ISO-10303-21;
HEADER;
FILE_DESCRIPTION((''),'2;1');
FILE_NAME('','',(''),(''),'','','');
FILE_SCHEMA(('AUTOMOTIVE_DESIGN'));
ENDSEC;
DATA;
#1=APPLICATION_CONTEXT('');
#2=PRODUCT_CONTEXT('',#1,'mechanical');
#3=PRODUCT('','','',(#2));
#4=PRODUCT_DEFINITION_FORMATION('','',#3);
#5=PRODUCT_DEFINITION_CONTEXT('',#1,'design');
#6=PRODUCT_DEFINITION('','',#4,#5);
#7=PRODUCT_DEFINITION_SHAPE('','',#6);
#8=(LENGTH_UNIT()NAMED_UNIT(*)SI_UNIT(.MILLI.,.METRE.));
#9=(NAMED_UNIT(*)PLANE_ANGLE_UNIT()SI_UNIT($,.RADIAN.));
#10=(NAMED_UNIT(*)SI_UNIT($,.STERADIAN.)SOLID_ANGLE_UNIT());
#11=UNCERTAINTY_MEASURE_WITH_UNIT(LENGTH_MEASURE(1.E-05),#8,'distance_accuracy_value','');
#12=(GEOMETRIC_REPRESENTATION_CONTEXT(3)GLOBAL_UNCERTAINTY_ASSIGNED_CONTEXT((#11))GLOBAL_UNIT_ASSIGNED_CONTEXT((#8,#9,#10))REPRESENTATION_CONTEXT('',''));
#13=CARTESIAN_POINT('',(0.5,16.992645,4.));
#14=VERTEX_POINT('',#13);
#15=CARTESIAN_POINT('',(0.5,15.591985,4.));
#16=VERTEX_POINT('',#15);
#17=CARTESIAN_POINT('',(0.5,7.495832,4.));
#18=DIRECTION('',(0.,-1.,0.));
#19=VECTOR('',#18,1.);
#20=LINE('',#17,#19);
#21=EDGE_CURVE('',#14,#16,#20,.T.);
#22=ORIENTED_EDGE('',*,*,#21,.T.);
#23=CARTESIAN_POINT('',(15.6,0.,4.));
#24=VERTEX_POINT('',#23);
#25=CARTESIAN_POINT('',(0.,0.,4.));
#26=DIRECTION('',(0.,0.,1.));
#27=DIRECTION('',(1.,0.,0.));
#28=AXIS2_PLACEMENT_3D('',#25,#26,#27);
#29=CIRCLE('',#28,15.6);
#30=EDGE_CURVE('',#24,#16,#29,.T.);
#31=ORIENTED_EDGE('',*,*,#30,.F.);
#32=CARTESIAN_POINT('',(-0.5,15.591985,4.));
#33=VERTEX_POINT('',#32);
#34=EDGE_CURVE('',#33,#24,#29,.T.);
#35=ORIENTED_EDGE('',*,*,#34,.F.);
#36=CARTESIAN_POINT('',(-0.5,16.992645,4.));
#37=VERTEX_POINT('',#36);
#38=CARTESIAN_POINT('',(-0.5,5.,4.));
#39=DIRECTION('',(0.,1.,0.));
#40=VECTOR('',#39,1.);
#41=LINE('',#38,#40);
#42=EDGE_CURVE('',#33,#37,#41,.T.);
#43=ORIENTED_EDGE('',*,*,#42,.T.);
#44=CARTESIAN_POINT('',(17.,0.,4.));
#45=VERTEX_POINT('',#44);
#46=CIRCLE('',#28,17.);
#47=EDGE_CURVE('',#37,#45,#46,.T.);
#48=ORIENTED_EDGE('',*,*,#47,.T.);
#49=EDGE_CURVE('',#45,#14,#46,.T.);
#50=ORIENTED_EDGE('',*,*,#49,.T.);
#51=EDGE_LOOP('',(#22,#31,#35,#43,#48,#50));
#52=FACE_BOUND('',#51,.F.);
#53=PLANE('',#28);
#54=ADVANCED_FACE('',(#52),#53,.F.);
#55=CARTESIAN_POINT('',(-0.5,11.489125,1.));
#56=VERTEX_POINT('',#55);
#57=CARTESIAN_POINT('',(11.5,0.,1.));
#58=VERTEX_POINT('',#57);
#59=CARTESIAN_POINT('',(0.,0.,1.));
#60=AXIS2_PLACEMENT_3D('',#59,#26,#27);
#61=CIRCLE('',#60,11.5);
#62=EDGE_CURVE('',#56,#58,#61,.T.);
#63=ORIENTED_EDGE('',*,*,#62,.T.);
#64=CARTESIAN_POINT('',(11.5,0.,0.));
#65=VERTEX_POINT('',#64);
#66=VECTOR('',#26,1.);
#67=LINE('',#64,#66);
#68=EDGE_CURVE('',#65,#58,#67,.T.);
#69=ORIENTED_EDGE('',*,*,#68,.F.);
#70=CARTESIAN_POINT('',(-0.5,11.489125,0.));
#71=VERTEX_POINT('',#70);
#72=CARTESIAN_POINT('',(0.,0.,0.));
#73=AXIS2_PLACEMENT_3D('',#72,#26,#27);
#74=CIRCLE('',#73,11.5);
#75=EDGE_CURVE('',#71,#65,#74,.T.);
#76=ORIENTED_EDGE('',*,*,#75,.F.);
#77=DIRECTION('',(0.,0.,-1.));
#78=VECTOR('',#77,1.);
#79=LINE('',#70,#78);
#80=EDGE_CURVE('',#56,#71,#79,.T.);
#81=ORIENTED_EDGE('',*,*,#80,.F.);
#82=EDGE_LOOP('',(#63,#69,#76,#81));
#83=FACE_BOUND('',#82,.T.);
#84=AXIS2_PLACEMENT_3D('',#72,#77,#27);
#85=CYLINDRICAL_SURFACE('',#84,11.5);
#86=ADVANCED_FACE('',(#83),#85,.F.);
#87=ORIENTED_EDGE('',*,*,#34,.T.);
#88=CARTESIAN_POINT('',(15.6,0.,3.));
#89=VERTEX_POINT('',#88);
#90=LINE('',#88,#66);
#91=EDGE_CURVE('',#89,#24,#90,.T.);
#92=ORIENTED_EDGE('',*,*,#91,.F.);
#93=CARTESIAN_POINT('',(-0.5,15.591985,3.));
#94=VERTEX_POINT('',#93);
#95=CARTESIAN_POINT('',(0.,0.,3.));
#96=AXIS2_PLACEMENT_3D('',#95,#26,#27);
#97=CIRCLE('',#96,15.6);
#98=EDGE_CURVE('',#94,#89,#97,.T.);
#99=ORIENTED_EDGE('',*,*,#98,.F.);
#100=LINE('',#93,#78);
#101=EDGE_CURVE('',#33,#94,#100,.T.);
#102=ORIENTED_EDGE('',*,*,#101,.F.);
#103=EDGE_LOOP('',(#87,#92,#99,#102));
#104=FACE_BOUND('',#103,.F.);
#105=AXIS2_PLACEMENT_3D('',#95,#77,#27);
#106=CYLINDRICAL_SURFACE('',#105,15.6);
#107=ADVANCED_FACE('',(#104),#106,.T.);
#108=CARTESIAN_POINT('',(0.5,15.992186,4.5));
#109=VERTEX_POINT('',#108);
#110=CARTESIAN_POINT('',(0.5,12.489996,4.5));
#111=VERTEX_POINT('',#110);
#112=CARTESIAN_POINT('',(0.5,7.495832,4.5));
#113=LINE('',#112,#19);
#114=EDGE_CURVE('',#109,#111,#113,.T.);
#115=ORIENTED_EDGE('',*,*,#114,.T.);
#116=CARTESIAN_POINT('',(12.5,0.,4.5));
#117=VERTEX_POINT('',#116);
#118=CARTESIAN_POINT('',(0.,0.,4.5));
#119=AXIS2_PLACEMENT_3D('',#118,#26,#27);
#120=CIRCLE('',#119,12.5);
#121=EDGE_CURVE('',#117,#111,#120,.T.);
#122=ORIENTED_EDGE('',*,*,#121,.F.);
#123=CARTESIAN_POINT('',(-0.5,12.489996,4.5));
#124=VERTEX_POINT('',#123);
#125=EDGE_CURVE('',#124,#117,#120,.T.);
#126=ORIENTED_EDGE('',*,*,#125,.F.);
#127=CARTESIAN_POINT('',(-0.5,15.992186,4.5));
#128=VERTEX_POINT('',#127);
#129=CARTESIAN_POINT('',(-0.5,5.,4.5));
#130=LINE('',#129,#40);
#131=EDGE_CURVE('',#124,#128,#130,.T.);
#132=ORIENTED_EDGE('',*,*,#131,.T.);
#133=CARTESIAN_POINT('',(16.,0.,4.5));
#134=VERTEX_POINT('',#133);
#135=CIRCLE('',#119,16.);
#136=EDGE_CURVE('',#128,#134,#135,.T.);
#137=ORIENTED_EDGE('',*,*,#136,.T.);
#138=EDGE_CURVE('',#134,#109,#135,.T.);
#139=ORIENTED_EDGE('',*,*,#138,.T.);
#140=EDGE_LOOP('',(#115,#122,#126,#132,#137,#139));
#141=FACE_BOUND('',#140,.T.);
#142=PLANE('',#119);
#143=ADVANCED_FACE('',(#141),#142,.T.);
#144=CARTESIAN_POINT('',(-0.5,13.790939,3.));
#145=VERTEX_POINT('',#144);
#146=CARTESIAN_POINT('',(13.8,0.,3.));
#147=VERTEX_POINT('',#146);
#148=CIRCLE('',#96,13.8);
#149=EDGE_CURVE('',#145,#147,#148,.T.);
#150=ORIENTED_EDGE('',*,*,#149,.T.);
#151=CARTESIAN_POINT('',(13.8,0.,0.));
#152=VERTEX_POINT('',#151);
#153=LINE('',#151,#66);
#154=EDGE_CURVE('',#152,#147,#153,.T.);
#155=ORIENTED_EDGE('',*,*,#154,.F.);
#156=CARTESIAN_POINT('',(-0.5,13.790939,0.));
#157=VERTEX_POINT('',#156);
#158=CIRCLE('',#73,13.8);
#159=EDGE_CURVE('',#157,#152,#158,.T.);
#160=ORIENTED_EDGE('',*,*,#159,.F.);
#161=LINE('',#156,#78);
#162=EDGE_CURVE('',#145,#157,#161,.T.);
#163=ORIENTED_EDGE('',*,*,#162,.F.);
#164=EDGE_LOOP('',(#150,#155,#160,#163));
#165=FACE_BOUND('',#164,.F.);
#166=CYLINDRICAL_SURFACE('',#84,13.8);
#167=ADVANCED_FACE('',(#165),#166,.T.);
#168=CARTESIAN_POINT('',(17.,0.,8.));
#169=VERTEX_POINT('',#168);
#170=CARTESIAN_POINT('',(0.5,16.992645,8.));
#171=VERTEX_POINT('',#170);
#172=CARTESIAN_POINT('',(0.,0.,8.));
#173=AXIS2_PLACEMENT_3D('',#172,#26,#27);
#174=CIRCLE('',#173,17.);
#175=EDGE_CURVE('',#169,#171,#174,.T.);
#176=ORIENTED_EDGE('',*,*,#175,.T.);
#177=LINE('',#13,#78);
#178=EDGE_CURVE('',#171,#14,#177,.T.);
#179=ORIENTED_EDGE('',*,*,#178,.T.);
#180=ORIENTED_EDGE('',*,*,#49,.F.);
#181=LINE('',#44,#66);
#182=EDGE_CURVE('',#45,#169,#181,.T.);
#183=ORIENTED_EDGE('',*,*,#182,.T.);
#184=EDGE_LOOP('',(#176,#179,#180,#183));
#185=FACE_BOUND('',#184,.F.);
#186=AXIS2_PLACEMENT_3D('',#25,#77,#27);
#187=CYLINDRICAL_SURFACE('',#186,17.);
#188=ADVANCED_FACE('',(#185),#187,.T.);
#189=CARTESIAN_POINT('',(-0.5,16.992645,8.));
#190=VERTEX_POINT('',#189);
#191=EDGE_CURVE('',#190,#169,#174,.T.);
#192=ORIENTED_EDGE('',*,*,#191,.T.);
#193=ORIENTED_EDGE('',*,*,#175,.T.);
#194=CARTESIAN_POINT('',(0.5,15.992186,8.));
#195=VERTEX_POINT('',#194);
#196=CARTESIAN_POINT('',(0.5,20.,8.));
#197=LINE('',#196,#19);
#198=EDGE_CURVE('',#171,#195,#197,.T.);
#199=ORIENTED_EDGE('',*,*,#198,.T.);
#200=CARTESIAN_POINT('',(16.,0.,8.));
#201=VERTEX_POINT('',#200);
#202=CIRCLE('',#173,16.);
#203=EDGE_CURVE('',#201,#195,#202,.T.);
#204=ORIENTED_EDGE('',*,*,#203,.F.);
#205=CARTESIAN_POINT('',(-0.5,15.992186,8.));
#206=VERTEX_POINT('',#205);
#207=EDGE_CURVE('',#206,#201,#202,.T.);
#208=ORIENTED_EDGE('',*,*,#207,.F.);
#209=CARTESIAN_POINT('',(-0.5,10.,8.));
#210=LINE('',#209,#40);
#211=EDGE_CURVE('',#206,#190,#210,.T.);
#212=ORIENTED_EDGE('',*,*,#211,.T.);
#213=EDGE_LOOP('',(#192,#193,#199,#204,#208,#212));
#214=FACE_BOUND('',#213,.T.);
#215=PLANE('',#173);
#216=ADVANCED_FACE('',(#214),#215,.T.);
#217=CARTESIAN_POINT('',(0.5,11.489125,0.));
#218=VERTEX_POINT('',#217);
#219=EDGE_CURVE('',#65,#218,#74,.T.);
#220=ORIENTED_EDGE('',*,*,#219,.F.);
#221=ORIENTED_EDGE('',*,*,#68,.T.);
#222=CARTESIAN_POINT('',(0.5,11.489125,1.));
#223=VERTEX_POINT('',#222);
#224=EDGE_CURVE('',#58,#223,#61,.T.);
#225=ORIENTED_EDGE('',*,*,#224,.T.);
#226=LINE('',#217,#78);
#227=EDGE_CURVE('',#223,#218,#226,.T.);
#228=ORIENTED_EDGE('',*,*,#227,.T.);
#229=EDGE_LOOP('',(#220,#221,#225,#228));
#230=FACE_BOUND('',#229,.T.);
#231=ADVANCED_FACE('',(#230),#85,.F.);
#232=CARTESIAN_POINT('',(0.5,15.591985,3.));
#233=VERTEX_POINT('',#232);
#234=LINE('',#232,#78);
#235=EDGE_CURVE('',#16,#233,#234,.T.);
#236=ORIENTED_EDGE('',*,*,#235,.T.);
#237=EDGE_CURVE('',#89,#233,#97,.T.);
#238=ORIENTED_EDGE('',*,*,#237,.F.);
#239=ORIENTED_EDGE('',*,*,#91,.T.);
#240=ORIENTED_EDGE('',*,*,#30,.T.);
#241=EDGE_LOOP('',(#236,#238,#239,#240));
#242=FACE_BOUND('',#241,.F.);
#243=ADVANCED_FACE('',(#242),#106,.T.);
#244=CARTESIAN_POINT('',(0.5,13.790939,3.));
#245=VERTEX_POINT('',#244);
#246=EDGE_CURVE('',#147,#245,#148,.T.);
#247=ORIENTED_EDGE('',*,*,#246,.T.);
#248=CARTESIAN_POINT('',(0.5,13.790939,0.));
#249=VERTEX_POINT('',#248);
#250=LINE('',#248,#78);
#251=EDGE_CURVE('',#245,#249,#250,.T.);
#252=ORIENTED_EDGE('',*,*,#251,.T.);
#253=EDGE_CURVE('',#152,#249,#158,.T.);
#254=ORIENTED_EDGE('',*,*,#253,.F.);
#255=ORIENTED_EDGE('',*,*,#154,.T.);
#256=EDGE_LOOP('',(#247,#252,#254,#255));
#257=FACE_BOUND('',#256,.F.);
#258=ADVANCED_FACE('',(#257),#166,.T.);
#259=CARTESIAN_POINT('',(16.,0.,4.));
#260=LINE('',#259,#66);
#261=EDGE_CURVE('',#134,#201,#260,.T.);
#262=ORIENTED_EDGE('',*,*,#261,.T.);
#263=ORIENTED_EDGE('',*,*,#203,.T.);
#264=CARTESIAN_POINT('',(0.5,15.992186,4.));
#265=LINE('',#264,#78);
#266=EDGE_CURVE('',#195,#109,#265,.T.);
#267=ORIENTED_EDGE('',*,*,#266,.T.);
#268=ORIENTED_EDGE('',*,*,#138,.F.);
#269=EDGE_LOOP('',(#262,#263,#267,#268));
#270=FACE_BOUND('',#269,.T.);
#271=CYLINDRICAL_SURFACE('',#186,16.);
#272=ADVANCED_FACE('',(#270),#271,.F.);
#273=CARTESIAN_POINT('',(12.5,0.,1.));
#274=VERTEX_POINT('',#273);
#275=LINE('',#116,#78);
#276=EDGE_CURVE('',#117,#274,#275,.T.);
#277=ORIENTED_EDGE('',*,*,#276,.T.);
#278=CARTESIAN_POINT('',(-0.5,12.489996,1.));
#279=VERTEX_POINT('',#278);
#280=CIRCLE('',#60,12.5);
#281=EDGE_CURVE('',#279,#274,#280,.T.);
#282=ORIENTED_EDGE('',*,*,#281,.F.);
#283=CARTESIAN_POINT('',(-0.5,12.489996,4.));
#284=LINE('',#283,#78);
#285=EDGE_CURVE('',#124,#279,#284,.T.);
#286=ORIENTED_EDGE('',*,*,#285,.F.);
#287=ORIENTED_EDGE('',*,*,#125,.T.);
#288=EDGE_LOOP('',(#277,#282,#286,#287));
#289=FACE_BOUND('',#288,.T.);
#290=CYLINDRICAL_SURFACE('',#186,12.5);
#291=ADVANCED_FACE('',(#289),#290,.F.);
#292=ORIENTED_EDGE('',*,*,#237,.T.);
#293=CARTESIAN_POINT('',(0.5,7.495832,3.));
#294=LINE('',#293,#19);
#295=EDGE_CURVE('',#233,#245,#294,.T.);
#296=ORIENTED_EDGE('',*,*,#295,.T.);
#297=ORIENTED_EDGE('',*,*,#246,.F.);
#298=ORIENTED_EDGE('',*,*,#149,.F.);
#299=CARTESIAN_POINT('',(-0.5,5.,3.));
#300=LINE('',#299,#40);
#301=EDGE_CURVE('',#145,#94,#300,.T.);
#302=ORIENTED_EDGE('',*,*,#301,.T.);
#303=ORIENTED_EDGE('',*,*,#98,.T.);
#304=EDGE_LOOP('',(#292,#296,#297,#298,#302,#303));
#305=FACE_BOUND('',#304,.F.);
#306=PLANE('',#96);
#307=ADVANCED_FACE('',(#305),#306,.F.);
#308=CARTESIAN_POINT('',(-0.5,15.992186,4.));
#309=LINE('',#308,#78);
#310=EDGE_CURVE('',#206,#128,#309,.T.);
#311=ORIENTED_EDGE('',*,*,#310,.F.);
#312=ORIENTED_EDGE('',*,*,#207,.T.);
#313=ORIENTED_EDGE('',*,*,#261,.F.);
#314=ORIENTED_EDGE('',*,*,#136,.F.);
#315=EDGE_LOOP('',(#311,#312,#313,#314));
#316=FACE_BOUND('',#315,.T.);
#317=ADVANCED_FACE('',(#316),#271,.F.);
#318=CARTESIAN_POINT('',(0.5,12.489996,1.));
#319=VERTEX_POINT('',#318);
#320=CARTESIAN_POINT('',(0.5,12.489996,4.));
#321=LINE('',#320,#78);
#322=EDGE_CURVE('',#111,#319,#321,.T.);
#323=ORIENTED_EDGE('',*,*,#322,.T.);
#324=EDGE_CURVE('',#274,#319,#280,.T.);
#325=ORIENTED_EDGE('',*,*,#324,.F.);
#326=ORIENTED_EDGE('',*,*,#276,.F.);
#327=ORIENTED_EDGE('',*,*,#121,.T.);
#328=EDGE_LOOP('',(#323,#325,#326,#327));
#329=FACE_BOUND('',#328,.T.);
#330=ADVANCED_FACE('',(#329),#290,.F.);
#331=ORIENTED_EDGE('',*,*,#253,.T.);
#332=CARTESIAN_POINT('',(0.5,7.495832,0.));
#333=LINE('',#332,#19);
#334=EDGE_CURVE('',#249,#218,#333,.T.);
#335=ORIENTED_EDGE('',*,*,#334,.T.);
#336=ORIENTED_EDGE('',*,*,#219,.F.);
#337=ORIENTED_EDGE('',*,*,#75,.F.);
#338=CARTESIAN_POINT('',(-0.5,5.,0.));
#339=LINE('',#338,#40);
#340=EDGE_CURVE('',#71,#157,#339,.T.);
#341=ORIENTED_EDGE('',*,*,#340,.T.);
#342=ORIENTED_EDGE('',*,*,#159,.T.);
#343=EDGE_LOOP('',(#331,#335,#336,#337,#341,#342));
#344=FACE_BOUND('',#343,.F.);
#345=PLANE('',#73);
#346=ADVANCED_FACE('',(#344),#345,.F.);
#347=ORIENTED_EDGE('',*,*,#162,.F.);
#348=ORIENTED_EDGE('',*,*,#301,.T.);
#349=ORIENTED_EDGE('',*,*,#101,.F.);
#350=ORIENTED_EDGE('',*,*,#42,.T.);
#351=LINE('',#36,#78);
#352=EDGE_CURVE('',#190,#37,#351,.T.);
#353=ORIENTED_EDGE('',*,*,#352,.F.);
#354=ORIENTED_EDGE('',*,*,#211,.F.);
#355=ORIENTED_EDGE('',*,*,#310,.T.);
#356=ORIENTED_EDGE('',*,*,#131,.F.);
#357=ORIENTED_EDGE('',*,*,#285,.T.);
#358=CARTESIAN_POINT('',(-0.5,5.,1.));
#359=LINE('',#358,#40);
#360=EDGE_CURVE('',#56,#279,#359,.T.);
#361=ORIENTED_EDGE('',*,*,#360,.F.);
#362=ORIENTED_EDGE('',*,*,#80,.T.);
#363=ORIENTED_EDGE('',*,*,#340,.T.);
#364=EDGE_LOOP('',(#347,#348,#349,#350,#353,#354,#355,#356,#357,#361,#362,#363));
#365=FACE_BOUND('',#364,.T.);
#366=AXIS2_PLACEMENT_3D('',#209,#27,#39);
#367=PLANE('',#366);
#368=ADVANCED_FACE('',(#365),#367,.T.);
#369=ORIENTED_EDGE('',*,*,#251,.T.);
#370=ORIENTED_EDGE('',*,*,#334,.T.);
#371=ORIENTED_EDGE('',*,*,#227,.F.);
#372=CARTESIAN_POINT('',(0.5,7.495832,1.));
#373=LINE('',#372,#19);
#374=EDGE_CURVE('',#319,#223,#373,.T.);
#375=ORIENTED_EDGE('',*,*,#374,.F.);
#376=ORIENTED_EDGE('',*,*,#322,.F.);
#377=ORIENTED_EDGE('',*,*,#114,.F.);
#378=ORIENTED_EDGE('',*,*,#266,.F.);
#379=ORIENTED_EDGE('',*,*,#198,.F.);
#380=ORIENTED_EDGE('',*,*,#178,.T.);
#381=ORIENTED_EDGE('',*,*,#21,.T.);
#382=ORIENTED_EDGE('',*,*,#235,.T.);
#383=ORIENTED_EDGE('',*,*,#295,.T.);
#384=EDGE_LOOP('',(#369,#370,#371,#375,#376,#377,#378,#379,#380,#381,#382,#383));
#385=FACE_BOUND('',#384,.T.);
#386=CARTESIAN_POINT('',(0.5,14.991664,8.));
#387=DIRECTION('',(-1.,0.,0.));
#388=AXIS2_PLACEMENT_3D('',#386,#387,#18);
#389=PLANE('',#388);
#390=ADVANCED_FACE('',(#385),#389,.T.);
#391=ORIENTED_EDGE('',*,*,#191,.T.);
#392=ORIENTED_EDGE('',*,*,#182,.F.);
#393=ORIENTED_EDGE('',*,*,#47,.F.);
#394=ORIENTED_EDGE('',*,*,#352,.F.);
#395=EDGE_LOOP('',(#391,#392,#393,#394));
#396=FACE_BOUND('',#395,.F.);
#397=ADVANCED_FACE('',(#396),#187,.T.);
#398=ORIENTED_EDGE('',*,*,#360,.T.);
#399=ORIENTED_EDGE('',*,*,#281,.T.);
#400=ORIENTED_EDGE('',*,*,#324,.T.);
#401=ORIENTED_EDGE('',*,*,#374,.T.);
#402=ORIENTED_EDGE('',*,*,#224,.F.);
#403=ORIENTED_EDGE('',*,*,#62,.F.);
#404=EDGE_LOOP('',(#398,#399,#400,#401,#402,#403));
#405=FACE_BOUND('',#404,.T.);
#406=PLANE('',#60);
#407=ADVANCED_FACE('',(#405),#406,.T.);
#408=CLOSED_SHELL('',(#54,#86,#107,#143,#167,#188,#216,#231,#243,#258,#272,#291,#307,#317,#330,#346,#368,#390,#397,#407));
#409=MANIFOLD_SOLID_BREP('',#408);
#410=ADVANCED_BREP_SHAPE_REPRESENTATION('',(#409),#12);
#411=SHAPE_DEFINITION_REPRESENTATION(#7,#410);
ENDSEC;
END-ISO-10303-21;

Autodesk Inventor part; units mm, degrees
ref_plane "YZ Plane" through (0, 0, 0) normal (1, 0, 0) x (0, 1, 0)
ref_plane "XZ Plane" through (0, 0, 0) normal (0, 1, 0) x (-1, 0, 0)
ref_plane "XY Plane" through (0, 0, 0) normal (0, 0, 1) x (1, 0, 0)
sketch "Sketch1" plane through (0, 0, 0) normal (0, 0, 1) x (1, 0, 0)
  circle A0 centre (0, 0) radius 13.8
  circle A1 centre (0, 0) radius 11.5
  circle A2 centre (0, 0) radius 15.6
  circle A3 centre (0, 0) radius 12.5
  dimension "d0" = 27.6
  dimension "d1" = 23
  dimension "d2" = 31.2
  dimension "d3" = 25
extrude "Extrusion1" add sketch "Sketch1" along normal blind 1 contours A3
extrude "Extrusion2" add sketch "Sketch1" along normal blind 3 contours A0
sketch "Sketch2" plane through (0, 0, 3) normal (0, 0, 1) x (1, 0, 0)
  circle A0 centre (0, 0) radius 15.6 projected
  circle A1 centre (0, 0) radius 12.5 projected
extrude "Extrusion3" add sketch "Sketch2" along normal blind 1
sketch "Sketch4" plane through (0, 0, 4) normal (0, 0, 1) x (1, 0, 0)
  circle A0 centre (0, 0) radius 16
  circle A1 centre (0, 0) radius 17
  circle A2 centre (0, 0) radius 12.5 projected
  dimension "d14" = 32
  dimension "d15" = 34
extrude "Extrusion5" add sketch "Sketch4" along normal blind 0.5 contours A0
extrude "Extrusion6" add sketch "Sketch4" along normal blind 4 contours A1
sketch "Sketch8" plane through (0, 0, 8) normal (0, 0, 1) x (1, 0, 0)
  line L0 (0.5, 10) -> (-0.5, 10)
  line L1 (-0.5, 10) -> (-0.5, 20)
  line L2 (-0.5, 20) -> (0.5, 20)
  line L3 (0.5, 20) -> (0.5, 10)
  circle A0 centre (0, 0) radius 15 projected
  line L4 (0.5, 10) -> (-0.5, 20) construction
  line L5 (-0.5, 10) -> (0.5, 20) construction
  point P0 (0, 15)
  dimension "d30" = 1
  dimension "d31" = 10
extrude "Extrusion10" cut sketch "Sketch8" against normal blind 10 contours L0 L1 A0 L3 | A0 L1 L2 L3 picked at (-0.0556, 11.6664)
properties part number "32to25mmFilterAdapter"
